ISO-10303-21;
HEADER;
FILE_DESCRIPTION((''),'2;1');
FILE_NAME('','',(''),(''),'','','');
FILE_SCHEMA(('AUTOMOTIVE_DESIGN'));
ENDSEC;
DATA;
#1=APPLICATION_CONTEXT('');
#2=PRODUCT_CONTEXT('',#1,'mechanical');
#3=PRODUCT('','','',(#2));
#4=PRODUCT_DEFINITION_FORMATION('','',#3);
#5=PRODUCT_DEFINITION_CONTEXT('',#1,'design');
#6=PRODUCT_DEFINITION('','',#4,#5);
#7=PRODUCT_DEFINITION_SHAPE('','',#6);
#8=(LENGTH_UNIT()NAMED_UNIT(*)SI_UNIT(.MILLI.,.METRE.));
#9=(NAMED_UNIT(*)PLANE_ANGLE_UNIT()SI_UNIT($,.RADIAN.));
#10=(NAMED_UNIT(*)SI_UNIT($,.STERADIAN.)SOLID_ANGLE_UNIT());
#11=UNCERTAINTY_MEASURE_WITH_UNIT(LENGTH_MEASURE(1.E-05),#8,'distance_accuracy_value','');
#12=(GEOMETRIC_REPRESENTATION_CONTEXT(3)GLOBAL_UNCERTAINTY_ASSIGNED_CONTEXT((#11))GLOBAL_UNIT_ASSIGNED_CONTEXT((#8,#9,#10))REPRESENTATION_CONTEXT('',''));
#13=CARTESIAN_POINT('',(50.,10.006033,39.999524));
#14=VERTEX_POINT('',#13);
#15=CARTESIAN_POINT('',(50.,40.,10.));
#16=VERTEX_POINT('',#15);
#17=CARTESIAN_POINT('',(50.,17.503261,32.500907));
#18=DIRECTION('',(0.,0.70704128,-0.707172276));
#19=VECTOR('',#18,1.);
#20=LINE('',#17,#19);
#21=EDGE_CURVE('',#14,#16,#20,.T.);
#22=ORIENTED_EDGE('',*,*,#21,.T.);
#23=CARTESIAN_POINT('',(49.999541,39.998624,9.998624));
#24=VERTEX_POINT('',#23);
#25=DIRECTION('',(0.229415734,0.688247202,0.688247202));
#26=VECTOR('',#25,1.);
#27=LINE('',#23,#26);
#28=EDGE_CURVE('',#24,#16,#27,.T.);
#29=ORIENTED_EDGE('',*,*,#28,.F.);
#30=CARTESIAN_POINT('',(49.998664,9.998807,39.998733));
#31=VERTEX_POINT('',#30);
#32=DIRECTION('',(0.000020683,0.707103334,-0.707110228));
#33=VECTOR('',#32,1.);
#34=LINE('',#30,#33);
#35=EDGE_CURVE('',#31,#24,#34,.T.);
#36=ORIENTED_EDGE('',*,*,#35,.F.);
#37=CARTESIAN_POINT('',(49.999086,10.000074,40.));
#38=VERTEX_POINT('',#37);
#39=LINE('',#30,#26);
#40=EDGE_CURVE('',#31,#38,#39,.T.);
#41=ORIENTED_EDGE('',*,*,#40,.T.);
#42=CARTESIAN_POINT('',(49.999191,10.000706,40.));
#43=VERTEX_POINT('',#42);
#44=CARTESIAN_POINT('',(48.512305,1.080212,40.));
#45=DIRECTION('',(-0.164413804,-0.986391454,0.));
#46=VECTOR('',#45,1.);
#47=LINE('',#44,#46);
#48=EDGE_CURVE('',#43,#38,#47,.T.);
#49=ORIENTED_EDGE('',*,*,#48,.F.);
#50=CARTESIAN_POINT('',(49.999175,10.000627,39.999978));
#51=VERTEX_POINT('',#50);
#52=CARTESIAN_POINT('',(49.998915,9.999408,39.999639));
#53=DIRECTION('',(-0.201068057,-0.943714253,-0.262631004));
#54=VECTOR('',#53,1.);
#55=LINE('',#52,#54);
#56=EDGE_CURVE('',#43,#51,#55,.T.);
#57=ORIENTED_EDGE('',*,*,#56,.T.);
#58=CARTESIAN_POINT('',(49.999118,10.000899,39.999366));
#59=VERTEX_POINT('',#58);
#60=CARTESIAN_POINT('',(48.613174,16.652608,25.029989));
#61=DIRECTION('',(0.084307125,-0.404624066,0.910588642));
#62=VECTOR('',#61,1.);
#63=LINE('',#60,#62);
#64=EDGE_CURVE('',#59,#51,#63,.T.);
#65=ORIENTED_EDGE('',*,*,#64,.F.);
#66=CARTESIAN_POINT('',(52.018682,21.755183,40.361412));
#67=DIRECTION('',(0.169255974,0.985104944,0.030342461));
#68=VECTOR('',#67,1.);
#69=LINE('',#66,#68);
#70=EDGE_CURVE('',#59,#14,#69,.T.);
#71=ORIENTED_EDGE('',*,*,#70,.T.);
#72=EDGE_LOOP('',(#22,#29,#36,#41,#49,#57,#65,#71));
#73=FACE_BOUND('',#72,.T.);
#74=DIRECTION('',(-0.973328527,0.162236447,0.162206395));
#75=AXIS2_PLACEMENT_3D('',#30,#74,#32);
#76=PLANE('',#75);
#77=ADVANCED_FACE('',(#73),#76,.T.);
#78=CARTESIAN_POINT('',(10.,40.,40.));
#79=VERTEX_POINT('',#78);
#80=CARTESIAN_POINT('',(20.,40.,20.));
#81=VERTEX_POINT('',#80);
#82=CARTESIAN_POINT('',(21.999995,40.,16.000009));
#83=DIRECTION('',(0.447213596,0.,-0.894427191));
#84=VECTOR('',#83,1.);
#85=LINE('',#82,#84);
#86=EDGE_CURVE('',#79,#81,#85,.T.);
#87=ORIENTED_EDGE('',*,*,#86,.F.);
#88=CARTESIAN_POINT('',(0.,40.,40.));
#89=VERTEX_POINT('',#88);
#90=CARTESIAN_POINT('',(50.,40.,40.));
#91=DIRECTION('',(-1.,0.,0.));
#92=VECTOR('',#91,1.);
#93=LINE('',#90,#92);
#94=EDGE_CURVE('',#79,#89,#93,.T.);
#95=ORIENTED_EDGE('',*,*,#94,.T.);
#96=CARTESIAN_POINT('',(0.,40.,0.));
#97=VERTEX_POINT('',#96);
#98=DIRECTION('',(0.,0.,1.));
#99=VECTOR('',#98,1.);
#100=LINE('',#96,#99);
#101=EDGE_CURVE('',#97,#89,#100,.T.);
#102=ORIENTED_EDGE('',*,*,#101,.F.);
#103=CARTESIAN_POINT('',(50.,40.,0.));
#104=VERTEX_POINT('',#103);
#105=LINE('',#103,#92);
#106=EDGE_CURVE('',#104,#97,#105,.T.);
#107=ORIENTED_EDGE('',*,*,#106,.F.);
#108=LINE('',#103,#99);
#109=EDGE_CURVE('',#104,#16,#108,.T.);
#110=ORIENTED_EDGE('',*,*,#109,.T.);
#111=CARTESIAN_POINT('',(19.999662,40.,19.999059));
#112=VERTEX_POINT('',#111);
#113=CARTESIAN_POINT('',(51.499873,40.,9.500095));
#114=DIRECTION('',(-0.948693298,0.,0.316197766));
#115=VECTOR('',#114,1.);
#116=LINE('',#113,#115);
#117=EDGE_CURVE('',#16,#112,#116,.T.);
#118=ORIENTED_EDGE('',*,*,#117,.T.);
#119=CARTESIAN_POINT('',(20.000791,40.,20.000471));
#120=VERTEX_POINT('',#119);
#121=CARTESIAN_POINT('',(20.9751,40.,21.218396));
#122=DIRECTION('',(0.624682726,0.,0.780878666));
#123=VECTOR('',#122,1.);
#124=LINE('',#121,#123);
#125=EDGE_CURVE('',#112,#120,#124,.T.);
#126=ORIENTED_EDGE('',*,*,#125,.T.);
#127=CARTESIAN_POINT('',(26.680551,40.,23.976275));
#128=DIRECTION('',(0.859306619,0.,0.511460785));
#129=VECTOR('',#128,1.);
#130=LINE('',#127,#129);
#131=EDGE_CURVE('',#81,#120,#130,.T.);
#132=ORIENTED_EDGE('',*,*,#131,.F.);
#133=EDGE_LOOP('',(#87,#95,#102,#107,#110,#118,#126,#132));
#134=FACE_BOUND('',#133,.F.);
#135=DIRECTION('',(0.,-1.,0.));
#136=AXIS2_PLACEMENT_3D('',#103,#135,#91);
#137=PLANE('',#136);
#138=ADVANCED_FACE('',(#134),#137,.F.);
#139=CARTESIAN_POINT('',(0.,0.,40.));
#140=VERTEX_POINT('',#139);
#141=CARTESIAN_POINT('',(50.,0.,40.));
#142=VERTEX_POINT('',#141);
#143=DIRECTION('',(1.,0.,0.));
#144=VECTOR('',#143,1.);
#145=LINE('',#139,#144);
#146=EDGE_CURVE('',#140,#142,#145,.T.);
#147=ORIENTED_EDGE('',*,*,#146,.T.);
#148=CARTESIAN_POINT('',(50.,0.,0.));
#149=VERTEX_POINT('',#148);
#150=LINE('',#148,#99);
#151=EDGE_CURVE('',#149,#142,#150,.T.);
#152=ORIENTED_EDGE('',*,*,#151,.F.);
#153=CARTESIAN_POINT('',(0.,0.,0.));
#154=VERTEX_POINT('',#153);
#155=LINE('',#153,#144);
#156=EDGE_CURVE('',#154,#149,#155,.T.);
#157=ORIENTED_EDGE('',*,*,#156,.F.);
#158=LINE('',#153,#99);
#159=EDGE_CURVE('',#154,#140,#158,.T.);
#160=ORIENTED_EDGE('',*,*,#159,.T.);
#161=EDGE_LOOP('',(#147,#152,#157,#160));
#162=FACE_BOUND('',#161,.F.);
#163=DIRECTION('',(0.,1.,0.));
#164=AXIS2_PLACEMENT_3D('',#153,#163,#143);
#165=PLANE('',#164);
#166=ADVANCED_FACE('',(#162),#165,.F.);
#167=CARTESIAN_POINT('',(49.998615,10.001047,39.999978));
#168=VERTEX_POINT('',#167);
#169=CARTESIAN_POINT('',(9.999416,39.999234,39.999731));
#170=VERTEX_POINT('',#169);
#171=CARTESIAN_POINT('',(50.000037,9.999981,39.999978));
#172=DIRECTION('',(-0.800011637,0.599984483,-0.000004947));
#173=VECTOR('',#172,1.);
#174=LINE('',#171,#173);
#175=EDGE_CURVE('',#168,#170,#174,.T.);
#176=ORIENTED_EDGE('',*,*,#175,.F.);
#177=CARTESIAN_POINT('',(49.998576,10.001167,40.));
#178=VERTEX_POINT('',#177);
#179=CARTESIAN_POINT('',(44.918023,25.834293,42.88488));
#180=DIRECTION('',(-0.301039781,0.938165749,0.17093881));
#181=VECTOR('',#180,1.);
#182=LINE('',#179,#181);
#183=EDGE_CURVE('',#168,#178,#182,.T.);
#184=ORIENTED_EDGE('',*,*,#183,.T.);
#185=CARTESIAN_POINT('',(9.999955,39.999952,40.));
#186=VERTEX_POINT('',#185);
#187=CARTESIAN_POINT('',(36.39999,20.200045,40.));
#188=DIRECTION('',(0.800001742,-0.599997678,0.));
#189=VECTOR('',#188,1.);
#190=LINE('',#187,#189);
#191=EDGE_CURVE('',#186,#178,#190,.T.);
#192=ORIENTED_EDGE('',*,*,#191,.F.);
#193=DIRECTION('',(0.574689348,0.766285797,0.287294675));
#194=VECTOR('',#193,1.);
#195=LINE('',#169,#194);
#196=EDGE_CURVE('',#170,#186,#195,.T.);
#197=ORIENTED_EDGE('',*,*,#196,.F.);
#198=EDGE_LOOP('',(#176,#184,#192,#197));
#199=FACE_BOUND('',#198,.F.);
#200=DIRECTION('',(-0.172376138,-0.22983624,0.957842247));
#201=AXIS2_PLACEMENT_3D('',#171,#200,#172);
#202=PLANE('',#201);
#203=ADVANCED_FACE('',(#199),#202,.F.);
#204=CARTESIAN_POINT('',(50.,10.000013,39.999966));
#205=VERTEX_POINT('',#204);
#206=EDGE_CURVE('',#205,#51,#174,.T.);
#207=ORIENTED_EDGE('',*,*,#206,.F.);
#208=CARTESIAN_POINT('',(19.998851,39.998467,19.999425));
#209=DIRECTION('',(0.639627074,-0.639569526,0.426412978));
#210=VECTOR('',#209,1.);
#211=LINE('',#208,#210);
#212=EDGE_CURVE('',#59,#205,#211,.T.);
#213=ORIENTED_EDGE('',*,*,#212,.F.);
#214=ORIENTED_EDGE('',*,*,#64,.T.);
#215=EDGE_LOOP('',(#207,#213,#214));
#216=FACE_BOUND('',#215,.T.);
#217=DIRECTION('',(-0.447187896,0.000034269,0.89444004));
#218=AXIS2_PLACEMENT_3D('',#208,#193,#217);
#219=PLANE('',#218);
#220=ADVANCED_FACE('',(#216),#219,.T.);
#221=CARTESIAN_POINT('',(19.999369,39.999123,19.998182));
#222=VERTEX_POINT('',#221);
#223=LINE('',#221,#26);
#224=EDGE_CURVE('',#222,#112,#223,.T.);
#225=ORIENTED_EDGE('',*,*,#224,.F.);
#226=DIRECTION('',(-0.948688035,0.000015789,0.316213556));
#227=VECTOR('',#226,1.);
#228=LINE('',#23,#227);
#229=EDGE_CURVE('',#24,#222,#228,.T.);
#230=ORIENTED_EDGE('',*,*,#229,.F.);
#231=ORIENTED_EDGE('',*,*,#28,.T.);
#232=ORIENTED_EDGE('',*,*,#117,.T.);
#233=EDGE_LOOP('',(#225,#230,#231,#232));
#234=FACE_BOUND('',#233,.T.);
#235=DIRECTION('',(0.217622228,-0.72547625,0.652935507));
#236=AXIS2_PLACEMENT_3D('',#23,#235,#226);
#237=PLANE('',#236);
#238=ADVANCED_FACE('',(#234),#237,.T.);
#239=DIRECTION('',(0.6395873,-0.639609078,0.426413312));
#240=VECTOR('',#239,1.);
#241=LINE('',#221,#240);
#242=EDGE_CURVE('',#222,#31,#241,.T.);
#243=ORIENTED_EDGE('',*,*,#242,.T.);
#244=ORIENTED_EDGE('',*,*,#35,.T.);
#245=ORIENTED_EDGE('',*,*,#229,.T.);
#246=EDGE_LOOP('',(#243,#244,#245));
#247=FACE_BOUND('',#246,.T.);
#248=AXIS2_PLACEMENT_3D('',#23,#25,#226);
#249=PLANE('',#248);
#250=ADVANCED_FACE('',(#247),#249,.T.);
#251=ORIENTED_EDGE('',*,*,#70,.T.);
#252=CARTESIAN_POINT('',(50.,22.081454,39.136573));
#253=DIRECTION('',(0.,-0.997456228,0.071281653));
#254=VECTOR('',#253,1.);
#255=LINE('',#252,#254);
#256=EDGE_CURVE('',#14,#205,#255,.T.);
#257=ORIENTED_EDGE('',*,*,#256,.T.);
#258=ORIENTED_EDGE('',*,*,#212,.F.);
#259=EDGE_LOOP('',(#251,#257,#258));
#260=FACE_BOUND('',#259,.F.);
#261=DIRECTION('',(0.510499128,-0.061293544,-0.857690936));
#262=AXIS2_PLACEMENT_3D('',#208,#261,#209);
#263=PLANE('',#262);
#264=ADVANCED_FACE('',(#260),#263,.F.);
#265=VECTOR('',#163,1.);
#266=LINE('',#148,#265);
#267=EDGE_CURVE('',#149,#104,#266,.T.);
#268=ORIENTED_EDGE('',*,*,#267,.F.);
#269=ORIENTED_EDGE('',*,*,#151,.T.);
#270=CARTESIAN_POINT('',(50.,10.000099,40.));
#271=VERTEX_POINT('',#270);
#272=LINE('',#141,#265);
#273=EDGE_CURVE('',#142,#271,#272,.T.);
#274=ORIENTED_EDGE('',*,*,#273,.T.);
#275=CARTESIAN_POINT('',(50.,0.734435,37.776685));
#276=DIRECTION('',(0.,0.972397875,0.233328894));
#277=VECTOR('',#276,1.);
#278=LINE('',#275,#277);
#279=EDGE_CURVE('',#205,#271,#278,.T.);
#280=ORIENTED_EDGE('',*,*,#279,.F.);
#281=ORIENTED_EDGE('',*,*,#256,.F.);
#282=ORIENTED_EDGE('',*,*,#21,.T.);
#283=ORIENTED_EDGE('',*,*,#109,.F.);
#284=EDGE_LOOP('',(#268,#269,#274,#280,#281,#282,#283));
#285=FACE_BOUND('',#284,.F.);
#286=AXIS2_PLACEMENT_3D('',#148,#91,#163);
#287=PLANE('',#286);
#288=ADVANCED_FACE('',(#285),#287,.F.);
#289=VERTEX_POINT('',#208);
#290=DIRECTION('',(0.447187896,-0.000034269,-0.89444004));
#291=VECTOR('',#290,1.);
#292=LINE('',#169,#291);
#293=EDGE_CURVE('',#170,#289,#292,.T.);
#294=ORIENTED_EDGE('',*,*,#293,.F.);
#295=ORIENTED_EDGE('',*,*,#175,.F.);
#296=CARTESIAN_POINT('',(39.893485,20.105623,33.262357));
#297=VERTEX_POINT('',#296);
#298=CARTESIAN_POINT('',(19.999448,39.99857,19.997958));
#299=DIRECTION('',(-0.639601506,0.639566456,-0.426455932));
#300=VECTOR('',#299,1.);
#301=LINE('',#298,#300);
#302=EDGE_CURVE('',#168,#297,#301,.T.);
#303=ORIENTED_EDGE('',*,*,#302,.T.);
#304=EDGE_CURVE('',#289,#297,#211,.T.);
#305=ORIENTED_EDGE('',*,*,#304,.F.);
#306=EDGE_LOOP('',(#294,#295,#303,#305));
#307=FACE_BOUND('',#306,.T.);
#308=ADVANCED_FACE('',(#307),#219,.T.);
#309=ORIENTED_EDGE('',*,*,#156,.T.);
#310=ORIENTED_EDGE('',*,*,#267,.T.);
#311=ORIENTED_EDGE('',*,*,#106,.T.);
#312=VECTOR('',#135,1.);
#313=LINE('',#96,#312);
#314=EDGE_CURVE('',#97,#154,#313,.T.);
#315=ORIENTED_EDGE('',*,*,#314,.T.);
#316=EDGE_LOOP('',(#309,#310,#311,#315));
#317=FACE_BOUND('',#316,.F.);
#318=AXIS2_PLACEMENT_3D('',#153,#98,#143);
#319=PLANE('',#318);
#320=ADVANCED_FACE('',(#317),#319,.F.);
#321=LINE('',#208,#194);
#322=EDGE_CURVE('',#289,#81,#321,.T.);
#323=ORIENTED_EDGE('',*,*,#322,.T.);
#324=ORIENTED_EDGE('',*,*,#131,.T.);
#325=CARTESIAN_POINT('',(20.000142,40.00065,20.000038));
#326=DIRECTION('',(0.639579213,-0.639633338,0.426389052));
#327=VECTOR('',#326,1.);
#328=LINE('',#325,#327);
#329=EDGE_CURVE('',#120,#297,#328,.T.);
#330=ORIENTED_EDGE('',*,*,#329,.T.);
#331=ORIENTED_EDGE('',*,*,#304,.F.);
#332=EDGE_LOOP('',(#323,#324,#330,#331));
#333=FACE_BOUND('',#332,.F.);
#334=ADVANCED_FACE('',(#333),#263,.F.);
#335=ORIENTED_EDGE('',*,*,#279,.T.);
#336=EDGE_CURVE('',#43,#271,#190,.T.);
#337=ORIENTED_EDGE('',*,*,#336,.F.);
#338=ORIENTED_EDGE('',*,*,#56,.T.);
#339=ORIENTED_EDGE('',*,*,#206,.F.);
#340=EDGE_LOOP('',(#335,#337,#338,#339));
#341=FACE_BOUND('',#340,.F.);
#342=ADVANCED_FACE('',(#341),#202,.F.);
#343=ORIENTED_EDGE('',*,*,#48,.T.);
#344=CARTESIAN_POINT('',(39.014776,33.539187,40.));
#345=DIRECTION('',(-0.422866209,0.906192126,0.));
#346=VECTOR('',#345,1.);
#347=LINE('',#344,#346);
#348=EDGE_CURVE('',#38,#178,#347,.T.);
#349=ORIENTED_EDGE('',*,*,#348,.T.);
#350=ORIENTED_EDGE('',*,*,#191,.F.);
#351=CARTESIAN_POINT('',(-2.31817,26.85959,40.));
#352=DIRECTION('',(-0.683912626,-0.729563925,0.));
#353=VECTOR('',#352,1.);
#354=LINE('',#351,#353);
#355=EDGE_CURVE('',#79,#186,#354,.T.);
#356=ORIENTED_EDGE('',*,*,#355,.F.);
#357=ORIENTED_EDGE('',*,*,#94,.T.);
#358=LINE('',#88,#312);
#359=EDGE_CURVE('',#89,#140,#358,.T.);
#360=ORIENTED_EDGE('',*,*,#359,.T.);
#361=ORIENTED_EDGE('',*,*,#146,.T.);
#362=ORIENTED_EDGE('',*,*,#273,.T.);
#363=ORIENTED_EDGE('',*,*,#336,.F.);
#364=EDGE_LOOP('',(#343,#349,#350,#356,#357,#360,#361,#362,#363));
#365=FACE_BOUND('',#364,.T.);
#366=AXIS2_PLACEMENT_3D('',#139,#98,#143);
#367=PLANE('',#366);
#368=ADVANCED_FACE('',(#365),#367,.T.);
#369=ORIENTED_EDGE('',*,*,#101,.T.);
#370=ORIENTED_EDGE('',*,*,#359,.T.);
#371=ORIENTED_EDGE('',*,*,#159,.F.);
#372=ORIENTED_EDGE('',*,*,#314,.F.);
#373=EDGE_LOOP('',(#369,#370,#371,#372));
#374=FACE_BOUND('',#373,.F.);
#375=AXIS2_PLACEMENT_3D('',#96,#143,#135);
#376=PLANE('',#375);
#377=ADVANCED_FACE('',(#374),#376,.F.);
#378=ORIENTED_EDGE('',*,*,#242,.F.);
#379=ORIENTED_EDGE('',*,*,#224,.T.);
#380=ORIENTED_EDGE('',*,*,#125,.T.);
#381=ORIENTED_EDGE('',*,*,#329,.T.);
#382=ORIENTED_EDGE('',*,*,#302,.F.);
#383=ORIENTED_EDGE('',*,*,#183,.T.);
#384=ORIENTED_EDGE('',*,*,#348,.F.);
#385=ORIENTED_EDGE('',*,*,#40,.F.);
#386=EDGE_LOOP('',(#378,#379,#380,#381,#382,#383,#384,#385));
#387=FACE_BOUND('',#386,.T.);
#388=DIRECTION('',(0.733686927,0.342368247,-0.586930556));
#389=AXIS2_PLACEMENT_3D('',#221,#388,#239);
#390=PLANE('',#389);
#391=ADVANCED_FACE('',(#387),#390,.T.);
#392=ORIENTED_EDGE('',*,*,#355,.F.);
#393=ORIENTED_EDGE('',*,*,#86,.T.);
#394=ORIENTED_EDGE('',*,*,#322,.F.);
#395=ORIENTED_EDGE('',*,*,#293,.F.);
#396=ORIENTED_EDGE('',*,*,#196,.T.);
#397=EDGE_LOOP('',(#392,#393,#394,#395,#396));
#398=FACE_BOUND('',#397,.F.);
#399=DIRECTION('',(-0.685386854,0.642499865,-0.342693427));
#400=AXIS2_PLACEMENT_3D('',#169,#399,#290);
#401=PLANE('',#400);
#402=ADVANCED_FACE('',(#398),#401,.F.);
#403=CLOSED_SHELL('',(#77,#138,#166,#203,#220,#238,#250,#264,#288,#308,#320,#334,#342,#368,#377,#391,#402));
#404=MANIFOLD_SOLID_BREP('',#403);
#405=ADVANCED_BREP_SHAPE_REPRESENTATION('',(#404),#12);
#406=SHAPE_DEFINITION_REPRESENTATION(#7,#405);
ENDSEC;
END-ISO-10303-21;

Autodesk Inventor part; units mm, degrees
ref_plane "YZ Plane" through (0, 0, 0) normal (1, 0, 0) x (0, 1, 0)
sketch "草圖1" plane through (0, 0, 0) normal (0, 0, 1) x (1, 0, 0)
  line L0 (0, 0) -> (50, 0)
  line L1 (50, 0) -> (50, 40)
  line L2 (50, 40) -> (0, 40)
  line L3 (0, 40) -> (0, 0)
  dimension "d0" = 50
  dimension "d1" = 40
extrude "擠出1" add sketch "草圖1" along normal blind 40
sketch "草圖7" plane through (0, 40, 0) normal (0, 1, 0) x (1, 0, 0)
  line L0 (0, -40) -> (50, -40) projected
  line L1 (0, 0) -> (0, -40) projected
  line L2 (50, 0) -> (0, 0) projected
  line L3 (50, 0) -> (50, -40) projected
  point P0 (50, -10)
  point P1 (20, -20)
  point P2 (10, -40)
  dimension "d13" = 10
  dimension "d14" = 20
  dimension "d15" = 20
  dimension "d16" = 10
sketch "草圖8" plane through (0, 0, 40) normal (0, 0, 1) x (1, 0, 0)
  line L0 (50, 0) -> (50, 40) projected
  line L1 (0, 0) -> (50, 0) projected
  line L2 (50, 0) -> (50, 40) projected
  line L3 (50, 40) -> (0, 40) projected
  line L4 (0, 40) -> (0, 0) projected
  point P0 (50, 10)
  dimension "d17" = 10
ref_plane "工作平面3" through (20, 40, 20) normal (0.5747, 0.7663, 0.2873) x (-0.4472, 0, 0.8944)
sketch "草圖9" plane through (20, 40, 20) normal (0.5747, 0.7663, 0.2873) x (-0.4472, 0, 0.8944)
  line L0 (0, 0) -> (4.4721, 46.6905)
  line L1 (4.4721, 46.6905) -> (22.3607, 0)
  line L2 (22.3607, 0) -> (0, 0)
  point P0 (-8.9443, 5.1402)
extrude "擠出4" cut sketch "草圖9" along normal blind 40
ref_plane "工作平面4" through (50, 40, 10) normal (0.2294, 0.6882, 0.6882) x (-0.9487, 0, 0.3162)
sketch "草圖11" plane through (50, 40, 10) normal (0.2294, 0.6882, 0.6882) x (-0.9487, 0, 0.3162)
  line L0 (31.6228, 0) -> (9.4868, 41.3521)
  line L1 (9.4868, 41.3521) -> (0, 0)
  line L2 (0, 0) -> (31.6228, 0)
  point P0 (44.2719, 11.6076)
extrude "擠出5" cut sketch "草圖11" along normal blind 40
